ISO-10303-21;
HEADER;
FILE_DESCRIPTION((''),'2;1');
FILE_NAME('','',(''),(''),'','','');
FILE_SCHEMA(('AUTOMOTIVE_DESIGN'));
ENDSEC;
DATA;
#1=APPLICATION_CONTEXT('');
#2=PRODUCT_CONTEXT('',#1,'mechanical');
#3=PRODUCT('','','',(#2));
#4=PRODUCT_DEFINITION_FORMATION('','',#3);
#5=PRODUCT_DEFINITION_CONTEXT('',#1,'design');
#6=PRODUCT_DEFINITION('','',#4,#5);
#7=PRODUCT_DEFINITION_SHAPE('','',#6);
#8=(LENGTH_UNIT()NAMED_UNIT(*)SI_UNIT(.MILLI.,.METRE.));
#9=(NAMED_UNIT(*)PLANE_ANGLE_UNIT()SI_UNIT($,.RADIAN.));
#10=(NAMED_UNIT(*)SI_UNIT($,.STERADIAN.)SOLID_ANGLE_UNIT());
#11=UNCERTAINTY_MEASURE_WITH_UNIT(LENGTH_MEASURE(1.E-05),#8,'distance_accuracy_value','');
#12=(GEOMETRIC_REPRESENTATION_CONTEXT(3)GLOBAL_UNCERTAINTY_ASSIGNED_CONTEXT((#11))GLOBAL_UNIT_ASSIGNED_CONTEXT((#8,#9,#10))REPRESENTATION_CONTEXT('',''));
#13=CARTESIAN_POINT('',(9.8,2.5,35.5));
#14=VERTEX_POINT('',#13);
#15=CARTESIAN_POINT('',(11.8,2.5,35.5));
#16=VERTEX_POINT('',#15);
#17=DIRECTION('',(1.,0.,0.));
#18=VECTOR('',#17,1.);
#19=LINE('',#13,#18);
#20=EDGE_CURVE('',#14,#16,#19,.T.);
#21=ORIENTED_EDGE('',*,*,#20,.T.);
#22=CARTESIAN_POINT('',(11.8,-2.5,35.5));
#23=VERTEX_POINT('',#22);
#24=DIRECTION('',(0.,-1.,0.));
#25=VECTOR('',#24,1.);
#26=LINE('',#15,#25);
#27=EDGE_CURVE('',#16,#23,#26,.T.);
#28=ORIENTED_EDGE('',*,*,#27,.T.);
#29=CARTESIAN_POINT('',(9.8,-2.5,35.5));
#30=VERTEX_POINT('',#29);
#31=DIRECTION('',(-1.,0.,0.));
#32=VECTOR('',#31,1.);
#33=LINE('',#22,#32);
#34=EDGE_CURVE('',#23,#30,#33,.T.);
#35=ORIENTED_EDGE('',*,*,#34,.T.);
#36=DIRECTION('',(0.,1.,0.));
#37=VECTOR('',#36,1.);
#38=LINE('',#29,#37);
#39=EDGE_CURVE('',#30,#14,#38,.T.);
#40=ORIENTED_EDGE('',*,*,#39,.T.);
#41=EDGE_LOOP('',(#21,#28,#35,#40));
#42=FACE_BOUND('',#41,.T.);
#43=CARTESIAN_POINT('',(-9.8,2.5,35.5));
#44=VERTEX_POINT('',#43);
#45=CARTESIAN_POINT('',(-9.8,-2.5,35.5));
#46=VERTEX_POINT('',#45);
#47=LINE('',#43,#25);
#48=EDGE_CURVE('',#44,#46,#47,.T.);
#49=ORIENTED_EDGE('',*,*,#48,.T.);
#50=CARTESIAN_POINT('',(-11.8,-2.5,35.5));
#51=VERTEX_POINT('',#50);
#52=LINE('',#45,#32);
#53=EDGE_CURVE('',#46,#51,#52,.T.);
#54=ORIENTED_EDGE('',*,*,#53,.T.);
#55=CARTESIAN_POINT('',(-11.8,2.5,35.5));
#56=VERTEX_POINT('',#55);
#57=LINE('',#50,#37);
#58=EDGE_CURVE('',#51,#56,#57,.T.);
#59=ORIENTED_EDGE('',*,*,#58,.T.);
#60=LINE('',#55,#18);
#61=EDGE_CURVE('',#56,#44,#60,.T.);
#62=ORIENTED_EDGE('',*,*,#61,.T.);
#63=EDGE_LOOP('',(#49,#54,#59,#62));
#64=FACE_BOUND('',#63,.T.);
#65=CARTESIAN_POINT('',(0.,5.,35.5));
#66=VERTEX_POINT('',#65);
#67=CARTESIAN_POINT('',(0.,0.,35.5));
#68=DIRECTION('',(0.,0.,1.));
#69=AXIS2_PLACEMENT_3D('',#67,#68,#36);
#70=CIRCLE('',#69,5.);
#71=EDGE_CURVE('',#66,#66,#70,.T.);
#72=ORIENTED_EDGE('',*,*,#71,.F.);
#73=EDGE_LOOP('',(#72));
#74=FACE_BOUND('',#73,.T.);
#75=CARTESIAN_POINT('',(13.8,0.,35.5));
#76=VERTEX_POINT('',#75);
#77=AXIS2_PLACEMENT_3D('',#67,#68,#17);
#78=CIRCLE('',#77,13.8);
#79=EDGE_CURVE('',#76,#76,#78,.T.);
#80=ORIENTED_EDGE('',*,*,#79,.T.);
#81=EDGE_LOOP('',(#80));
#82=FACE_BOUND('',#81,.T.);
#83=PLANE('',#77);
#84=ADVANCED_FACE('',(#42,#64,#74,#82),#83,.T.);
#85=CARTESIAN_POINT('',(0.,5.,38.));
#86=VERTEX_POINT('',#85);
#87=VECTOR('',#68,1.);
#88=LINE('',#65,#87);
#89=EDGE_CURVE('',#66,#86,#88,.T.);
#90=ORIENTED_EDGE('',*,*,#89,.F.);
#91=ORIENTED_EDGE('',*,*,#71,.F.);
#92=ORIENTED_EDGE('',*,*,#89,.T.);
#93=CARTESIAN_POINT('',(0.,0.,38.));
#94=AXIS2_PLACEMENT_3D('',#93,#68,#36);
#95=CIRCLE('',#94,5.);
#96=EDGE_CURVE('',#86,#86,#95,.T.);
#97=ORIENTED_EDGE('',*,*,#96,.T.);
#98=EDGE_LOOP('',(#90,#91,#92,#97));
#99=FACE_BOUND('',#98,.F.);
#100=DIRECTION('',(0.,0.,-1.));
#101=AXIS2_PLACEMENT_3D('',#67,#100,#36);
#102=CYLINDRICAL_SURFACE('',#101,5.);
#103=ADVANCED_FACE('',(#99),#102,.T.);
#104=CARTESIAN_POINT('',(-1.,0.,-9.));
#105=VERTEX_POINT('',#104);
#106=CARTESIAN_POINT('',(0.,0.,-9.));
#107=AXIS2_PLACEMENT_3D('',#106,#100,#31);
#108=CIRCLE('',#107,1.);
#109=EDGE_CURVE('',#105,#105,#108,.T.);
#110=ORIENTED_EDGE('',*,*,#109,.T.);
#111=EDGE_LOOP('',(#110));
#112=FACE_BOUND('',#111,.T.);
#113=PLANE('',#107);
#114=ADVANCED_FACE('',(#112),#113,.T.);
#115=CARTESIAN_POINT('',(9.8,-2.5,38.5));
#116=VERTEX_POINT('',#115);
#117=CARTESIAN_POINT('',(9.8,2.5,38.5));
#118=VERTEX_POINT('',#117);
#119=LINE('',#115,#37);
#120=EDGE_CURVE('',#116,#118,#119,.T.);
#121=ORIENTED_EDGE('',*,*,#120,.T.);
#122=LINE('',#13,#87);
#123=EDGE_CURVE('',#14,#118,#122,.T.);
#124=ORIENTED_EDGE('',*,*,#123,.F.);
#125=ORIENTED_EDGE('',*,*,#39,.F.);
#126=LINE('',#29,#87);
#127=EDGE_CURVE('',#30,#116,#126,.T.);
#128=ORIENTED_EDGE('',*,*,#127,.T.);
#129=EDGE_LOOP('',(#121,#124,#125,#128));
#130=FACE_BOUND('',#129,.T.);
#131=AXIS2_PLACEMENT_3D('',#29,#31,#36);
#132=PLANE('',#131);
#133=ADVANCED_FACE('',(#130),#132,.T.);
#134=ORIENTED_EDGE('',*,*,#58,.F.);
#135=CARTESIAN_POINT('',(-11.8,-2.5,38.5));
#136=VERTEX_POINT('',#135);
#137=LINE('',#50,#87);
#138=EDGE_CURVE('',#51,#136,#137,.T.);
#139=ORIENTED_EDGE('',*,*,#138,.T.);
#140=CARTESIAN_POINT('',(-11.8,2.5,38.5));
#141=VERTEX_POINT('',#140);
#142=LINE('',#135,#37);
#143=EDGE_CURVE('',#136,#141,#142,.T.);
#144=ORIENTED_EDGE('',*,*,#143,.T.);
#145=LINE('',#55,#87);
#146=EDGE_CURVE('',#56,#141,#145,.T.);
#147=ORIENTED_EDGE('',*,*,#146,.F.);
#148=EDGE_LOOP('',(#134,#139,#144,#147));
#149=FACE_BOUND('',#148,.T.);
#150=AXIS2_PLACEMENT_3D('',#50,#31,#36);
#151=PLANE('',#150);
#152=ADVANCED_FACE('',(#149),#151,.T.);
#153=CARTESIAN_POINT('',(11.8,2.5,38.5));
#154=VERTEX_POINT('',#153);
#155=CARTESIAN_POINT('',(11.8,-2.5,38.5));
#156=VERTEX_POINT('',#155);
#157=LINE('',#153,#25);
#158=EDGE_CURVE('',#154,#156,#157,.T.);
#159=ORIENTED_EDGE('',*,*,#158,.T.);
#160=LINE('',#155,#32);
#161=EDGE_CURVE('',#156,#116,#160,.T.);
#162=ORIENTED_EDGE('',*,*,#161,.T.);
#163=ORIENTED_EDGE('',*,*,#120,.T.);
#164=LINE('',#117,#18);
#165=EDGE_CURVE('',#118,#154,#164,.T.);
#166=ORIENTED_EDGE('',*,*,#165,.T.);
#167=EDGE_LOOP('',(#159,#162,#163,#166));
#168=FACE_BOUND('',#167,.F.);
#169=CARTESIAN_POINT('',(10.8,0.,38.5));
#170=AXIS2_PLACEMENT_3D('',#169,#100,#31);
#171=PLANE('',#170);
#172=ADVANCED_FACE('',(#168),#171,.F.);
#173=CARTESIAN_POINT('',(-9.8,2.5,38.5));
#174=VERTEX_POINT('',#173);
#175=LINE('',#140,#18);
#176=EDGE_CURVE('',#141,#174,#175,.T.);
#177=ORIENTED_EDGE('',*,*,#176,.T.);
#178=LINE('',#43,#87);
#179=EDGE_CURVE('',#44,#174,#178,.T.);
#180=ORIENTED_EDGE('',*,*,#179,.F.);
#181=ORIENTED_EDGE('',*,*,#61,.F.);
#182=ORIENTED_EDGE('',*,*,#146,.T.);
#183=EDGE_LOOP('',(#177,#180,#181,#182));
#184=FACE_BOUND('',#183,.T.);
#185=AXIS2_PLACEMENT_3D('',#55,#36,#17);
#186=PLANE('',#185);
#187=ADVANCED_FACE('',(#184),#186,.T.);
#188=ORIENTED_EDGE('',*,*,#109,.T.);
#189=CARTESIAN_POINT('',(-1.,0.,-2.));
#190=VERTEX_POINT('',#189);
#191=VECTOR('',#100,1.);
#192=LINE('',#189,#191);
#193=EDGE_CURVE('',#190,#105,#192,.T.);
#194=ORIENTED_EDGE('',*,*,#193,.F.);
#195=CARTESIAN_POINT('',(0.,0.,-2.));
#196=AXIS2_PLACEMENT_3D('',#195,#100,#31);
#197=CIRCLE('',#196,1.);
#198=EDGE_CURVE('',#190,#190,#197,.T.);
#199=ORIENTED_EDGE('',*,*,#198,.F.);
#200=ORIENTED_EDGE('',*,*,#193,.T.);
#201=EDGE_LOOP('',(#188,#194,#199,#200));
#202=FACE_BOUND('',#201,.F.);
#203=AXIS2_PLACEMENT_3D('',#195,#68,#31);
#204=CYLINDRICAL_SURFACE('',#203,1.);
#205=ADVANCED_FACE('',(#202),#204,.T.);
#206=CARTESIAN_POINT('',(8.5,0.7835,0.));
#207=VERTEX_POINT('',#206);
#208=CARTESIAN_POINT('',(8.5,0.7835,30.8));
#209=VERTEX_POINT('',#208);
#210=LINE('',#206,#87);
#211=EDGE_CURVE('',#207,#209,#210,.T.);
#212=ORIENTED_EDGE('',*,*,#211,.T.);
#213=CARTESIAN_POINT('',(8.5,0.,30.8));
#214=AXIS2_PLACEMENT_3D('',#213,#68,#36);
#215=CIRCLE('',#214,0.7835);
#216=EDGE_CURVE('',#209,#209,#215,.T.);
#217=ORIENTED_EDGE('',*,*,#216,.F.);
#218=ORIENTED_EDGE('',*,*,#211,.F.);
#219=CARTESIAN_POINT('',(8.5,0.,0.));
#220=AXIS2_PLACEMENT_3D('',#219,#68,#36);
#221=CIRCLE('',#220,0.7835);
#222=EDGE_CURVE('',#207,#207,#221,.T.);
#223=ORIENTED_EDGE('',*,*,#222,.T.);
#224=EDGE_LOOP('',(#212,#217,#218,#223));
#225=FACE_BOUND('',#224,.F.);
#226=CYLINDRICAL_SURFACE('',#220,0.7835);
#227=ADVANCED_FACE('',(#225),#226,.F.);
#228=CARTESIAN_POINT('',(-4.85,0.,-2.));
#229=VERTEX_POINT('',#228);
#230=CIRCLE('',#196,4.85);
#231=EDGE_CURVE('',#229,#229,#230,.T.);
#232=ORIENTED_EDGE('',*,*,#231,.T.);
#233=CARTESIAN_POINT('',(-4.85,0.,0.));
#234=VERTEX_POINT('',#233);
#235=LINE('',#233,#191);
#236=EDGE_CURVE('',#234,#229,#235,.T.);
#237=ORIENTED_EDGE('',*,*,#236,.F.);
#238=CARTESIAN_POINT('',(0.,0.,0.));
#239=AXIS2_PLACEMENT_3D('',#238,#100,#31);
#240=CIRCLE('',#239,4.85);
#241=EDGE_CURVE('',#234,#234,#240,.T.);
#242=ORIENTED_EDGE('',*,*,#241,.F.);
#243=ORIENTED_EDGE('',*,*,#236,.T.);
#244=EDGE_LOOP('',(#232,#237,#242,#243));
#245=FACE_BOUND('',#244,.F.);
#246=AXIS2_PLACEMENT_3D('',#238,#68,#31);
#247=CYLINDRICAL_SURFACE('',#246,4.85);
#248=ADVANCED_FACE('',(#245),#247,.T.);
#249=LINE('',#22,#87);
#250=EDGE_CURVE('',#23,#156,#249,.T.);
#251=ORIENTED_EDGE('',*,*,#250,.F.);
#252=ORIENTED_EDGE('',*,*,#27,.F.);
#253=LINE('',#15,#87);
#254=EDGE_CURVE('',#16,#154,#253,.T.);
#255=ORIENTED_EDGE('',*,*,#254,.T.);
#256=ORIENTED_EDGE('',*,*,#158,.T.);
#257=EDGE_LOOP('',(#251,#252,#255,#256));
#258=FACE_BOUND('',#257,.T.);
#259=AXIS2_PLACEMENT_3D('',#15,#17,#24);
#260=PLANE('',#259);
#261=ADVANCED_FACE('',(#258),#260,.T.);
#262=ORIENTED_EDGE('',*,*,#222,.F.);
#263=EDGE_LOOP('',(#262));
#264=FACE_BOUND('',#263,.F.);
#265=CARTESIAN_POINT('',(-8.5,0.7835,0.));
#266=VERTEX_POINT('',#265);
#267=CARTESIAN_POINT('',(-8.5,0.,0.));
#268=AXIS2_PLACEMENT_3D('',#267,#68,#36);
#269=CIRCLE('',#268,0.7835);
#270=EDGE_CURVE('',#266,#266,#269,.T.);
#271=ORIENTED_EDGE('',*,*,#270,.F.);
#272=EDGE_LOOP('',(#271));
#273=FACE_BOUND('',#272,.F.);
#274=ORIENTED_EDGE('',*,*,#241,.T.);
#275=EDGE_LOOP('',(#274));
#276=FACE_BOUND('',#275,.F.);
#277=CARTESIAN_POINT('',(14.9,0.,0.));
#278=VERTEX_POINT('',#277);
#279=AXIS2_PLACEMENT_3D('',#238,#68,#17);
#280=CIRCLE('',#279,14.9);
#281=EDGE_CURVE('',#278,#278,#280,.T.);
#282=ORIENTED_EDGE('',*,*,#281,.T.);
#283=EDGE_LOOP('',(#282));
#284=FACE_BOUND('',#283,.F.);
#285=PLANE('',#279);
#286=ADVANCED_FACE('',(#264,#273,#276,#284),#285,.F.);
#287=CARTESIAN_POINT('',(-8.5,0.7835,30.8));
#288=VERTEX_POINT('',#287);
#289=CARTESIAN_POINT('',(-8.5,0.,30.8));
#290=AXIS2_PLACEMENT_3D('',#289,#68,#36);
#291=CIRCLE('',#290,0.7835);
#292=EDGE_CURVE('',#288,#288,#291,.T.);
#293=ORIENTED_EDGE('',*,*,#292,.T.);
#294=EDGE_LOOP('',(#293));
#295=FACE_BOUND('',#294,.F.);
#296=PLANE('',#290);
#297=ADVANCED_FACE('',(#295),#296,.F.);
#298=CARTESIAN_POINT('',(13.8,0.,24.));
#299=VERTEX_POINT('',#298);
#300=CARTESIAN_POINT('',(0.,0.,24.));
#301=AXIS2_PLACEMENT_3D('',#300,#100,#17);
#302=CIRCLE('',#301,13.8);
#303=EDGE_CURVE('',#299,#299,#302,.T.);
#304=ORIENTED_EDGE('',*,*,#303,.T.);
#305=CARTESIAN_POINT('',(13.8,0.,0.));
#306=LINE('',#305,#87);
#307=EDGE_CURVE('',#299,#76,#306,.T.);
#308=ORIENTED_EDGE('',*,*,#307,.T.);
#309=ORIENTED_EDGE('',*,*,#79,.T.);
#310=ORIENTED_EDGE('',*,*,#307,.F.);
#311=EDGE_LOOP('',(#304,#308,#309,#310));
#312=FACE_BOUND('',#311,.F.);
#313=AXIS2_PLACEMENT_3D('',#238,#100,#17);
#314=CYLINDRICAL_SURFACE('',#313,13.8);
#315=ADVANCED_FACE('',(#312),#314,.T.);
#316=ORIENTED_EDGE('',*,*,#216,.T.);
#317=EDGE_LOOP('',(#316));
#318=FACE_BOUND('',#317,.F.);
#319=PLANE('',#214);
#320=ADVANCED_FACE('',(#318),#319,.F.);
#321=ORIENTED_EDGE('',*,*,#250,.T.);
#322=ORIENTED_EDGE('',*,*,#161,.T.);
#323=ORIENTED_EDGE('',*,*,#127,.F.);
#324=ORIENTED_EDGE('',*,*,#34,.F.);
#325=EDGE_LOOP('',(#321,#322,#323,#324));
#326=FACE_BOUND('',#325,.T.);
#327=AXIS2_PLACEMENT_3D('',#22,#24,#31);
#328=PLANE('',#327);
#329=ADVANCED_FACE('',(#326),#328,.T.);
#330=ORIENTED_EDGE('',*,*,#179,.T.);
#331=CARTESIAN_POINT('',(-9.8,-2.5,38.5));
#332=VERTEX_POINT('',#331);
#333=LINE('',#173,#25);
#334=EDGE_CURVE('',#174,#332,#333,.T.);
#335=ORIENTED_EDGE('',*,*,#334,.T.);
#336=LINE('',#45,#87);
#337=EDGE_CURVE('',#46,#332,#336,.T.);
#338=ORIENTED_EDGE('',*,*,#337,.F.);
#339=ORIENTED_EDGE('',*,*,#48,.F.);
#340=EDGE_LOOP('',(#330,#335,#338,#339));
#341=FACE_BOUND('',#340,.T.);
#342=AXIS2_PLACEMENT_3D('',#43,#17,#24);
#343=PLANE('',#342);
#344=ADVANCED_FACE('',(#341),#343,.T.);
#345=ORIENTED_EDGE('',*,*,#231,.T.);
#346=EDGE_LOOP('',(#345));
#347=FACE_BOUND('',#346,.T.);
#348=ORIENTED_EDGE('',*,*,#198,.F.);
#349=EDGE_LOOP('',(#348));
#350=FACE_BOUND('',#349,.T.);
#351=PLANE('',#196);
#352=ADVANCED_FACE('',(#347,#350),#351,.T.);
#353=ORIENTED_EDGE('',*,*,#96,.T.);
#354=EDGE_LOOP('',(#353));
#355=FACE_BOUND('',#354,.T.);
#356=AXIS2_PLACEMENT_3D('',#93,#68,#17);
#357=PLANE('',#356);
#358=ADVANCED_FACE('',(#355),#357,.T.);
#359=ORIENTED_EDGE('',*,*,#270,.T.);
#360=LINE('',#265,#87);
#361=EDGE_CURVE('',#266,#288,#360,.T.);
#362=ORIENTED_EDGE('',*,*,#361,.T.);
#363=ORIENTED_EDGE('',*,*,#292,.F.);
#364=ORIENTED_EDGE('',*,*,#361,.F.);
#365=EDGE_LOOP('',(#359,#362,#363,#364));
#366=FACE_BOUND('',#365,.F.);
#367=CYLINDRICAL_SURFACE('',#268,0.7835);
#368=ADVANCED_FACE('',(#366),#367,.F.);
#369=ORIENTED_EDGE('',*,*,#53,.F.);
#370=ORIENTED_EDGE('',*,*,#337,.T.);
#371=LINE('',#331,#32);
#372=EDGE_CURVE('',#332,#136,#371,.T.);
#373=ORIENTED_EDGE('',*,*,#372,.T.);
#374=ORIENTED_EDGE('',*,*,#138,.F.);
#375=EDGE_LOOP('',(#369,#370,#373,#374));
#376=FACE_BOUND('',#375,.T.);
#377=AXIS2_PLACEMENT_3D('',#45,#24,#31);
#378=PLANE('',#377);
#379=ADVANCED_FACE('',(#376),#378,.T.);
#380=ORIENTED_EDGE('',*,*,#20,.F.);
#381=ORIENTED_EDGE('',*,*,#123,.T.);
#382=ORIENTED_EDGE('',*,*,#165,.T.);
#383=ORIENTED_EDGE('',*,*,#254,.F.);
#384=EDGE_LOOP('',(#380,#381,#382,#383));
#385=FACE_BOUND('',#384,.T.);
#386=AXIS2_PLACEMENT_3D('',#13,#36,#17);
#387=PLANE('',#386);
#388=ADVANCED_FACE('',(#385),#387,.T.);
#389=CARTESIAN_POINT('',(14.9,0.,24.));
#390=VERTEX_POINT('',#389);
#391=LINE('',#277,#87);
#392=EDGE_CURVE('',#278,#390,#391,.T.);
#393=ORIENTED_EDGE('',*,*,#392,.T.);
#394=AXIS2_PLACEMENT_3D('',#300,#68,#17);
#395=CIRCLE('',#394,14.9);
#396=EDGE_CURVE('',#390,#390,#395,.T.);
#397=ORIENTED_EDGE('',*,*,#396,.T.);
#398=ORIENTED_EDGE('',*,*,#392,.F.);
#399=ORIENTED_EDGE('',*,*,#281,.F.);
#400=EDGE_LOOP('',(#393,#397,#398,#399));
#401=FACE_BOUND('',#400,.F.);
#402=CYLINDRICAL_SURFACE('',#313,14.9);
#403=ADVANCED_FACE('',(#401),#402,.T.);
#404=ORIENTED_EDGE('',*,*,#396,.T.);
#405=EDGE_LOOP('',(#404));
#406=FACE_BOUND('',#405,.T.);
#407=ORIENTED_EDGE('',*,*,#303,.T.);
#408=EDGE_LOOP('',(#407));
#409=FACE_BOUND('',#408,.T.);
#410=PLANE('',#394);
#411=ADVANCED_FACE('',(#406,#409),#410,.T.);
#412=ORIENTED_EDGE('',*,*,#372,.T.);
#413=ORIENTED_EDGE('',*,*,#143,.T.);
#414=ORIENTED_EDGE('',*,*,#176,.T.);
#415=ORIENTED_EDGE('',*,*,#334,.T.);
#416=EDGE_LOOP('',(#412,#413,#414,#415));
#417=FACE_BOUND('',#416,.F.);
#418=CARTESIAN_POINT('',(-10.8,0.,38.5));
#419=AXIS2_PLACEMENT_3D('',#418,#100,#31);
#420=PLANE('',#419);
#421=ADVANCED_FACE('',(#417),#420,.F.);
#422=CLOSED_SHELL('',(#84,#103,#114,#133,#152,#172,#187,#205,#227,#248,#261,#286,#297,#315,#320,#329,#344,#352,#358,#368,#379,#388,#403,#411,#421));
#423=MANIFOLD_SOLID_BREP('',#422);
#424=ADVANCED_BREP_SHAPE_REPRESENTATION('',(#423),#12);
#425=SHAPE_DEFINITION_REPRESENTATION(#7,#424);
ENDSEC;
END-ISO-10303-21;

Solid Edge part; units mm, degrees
sketch "Sketch1" plane through (0, 0, 0) normal (0, 0, 1) x (1, 0, 0)
  circle A0 centre (0, 0) radius 13.8
  dimension "D1" = 27.6
extrude "Ajout_matière_1" add sketch "Sketch1" along normal blind 35.5
sketch "Sketch2" plane through (0, 0, 0) normal (0, 0, 1) x (1, 0, 0)
  circle A0 centre (0, 0) radius 14.9
extrude "Ajout_matière_2" add sketch "Sketch2" along normal blind 24
sketch "Sketch3" plane through (0, 0, 0) normal (0, 0, -1) x (-1, 0, 0)
  circle A0 centre (0, 0) radius 4.85
extrude "Ajout_matière_3" add sketch "Sketch3" along normal blind 2
sketch "Sketch4" plane through (0, 0, -2) normal (0, 0, -1) x (-1, 0, 0)
  circle A0 centre (0, 0) radius 1
extrude "Ajout_matière_4" add sketch "Sketch4" along normal blind 7
hole "Perçage_1" at (8.5, 0, 0) direction (0, 0, 1) diameter 1.567 depth 30.8 thread major 2 thread length 2
hole "Hole1" at (-8.5, 0, 0) direction (0, 0, 1) diameter 1.567 depth 30.8 thread major 2 thread length 2
sketch "Sketch5" plane through (0, 0, 35.5) normal (0, 0, 1) x (0, 1, 0)
  circle A0 centre (0, 0) radius 5
extrude "Ajout_matière_5" add sketch "Sketch5" along normal blind 2.5
sketch "Sketch6" plane through (0, 0, 35.5) normal (0, 0, 1) x (-1, 0, 0)
  line L0 (-11.8, 2.5) -> (-9.8, 2.5)
  line L1 (-9.8, 2.5) -> (-9.8, -2.5)
  line L2 (-9.8, -2.5) -> (-11.8, -2.5)
  line L3 (-11.8, -2.5) -> (-11.8, 2.5)
  line L4 (9.8, 2.5) -> (11.8, 2.5)
  line L5 (11.8, 2.5) -> (11.8, -2.5)
  line L6 (11.8, -2.5) -> (9.8, -2.5)
  line L7 (9.8, -2.5) -> (9.8, 2.5)
  dimension "D1" = 5
  dimension "D2" = 2
  dimension "D3" = 2
  dimension "D4" = 5
  dimension "D5" = 2
  dimension "D6" = 2
extrude "Ajout_matière_7" add sketch "Sketch6" along normal blind 3
properties material "Acier S235"
